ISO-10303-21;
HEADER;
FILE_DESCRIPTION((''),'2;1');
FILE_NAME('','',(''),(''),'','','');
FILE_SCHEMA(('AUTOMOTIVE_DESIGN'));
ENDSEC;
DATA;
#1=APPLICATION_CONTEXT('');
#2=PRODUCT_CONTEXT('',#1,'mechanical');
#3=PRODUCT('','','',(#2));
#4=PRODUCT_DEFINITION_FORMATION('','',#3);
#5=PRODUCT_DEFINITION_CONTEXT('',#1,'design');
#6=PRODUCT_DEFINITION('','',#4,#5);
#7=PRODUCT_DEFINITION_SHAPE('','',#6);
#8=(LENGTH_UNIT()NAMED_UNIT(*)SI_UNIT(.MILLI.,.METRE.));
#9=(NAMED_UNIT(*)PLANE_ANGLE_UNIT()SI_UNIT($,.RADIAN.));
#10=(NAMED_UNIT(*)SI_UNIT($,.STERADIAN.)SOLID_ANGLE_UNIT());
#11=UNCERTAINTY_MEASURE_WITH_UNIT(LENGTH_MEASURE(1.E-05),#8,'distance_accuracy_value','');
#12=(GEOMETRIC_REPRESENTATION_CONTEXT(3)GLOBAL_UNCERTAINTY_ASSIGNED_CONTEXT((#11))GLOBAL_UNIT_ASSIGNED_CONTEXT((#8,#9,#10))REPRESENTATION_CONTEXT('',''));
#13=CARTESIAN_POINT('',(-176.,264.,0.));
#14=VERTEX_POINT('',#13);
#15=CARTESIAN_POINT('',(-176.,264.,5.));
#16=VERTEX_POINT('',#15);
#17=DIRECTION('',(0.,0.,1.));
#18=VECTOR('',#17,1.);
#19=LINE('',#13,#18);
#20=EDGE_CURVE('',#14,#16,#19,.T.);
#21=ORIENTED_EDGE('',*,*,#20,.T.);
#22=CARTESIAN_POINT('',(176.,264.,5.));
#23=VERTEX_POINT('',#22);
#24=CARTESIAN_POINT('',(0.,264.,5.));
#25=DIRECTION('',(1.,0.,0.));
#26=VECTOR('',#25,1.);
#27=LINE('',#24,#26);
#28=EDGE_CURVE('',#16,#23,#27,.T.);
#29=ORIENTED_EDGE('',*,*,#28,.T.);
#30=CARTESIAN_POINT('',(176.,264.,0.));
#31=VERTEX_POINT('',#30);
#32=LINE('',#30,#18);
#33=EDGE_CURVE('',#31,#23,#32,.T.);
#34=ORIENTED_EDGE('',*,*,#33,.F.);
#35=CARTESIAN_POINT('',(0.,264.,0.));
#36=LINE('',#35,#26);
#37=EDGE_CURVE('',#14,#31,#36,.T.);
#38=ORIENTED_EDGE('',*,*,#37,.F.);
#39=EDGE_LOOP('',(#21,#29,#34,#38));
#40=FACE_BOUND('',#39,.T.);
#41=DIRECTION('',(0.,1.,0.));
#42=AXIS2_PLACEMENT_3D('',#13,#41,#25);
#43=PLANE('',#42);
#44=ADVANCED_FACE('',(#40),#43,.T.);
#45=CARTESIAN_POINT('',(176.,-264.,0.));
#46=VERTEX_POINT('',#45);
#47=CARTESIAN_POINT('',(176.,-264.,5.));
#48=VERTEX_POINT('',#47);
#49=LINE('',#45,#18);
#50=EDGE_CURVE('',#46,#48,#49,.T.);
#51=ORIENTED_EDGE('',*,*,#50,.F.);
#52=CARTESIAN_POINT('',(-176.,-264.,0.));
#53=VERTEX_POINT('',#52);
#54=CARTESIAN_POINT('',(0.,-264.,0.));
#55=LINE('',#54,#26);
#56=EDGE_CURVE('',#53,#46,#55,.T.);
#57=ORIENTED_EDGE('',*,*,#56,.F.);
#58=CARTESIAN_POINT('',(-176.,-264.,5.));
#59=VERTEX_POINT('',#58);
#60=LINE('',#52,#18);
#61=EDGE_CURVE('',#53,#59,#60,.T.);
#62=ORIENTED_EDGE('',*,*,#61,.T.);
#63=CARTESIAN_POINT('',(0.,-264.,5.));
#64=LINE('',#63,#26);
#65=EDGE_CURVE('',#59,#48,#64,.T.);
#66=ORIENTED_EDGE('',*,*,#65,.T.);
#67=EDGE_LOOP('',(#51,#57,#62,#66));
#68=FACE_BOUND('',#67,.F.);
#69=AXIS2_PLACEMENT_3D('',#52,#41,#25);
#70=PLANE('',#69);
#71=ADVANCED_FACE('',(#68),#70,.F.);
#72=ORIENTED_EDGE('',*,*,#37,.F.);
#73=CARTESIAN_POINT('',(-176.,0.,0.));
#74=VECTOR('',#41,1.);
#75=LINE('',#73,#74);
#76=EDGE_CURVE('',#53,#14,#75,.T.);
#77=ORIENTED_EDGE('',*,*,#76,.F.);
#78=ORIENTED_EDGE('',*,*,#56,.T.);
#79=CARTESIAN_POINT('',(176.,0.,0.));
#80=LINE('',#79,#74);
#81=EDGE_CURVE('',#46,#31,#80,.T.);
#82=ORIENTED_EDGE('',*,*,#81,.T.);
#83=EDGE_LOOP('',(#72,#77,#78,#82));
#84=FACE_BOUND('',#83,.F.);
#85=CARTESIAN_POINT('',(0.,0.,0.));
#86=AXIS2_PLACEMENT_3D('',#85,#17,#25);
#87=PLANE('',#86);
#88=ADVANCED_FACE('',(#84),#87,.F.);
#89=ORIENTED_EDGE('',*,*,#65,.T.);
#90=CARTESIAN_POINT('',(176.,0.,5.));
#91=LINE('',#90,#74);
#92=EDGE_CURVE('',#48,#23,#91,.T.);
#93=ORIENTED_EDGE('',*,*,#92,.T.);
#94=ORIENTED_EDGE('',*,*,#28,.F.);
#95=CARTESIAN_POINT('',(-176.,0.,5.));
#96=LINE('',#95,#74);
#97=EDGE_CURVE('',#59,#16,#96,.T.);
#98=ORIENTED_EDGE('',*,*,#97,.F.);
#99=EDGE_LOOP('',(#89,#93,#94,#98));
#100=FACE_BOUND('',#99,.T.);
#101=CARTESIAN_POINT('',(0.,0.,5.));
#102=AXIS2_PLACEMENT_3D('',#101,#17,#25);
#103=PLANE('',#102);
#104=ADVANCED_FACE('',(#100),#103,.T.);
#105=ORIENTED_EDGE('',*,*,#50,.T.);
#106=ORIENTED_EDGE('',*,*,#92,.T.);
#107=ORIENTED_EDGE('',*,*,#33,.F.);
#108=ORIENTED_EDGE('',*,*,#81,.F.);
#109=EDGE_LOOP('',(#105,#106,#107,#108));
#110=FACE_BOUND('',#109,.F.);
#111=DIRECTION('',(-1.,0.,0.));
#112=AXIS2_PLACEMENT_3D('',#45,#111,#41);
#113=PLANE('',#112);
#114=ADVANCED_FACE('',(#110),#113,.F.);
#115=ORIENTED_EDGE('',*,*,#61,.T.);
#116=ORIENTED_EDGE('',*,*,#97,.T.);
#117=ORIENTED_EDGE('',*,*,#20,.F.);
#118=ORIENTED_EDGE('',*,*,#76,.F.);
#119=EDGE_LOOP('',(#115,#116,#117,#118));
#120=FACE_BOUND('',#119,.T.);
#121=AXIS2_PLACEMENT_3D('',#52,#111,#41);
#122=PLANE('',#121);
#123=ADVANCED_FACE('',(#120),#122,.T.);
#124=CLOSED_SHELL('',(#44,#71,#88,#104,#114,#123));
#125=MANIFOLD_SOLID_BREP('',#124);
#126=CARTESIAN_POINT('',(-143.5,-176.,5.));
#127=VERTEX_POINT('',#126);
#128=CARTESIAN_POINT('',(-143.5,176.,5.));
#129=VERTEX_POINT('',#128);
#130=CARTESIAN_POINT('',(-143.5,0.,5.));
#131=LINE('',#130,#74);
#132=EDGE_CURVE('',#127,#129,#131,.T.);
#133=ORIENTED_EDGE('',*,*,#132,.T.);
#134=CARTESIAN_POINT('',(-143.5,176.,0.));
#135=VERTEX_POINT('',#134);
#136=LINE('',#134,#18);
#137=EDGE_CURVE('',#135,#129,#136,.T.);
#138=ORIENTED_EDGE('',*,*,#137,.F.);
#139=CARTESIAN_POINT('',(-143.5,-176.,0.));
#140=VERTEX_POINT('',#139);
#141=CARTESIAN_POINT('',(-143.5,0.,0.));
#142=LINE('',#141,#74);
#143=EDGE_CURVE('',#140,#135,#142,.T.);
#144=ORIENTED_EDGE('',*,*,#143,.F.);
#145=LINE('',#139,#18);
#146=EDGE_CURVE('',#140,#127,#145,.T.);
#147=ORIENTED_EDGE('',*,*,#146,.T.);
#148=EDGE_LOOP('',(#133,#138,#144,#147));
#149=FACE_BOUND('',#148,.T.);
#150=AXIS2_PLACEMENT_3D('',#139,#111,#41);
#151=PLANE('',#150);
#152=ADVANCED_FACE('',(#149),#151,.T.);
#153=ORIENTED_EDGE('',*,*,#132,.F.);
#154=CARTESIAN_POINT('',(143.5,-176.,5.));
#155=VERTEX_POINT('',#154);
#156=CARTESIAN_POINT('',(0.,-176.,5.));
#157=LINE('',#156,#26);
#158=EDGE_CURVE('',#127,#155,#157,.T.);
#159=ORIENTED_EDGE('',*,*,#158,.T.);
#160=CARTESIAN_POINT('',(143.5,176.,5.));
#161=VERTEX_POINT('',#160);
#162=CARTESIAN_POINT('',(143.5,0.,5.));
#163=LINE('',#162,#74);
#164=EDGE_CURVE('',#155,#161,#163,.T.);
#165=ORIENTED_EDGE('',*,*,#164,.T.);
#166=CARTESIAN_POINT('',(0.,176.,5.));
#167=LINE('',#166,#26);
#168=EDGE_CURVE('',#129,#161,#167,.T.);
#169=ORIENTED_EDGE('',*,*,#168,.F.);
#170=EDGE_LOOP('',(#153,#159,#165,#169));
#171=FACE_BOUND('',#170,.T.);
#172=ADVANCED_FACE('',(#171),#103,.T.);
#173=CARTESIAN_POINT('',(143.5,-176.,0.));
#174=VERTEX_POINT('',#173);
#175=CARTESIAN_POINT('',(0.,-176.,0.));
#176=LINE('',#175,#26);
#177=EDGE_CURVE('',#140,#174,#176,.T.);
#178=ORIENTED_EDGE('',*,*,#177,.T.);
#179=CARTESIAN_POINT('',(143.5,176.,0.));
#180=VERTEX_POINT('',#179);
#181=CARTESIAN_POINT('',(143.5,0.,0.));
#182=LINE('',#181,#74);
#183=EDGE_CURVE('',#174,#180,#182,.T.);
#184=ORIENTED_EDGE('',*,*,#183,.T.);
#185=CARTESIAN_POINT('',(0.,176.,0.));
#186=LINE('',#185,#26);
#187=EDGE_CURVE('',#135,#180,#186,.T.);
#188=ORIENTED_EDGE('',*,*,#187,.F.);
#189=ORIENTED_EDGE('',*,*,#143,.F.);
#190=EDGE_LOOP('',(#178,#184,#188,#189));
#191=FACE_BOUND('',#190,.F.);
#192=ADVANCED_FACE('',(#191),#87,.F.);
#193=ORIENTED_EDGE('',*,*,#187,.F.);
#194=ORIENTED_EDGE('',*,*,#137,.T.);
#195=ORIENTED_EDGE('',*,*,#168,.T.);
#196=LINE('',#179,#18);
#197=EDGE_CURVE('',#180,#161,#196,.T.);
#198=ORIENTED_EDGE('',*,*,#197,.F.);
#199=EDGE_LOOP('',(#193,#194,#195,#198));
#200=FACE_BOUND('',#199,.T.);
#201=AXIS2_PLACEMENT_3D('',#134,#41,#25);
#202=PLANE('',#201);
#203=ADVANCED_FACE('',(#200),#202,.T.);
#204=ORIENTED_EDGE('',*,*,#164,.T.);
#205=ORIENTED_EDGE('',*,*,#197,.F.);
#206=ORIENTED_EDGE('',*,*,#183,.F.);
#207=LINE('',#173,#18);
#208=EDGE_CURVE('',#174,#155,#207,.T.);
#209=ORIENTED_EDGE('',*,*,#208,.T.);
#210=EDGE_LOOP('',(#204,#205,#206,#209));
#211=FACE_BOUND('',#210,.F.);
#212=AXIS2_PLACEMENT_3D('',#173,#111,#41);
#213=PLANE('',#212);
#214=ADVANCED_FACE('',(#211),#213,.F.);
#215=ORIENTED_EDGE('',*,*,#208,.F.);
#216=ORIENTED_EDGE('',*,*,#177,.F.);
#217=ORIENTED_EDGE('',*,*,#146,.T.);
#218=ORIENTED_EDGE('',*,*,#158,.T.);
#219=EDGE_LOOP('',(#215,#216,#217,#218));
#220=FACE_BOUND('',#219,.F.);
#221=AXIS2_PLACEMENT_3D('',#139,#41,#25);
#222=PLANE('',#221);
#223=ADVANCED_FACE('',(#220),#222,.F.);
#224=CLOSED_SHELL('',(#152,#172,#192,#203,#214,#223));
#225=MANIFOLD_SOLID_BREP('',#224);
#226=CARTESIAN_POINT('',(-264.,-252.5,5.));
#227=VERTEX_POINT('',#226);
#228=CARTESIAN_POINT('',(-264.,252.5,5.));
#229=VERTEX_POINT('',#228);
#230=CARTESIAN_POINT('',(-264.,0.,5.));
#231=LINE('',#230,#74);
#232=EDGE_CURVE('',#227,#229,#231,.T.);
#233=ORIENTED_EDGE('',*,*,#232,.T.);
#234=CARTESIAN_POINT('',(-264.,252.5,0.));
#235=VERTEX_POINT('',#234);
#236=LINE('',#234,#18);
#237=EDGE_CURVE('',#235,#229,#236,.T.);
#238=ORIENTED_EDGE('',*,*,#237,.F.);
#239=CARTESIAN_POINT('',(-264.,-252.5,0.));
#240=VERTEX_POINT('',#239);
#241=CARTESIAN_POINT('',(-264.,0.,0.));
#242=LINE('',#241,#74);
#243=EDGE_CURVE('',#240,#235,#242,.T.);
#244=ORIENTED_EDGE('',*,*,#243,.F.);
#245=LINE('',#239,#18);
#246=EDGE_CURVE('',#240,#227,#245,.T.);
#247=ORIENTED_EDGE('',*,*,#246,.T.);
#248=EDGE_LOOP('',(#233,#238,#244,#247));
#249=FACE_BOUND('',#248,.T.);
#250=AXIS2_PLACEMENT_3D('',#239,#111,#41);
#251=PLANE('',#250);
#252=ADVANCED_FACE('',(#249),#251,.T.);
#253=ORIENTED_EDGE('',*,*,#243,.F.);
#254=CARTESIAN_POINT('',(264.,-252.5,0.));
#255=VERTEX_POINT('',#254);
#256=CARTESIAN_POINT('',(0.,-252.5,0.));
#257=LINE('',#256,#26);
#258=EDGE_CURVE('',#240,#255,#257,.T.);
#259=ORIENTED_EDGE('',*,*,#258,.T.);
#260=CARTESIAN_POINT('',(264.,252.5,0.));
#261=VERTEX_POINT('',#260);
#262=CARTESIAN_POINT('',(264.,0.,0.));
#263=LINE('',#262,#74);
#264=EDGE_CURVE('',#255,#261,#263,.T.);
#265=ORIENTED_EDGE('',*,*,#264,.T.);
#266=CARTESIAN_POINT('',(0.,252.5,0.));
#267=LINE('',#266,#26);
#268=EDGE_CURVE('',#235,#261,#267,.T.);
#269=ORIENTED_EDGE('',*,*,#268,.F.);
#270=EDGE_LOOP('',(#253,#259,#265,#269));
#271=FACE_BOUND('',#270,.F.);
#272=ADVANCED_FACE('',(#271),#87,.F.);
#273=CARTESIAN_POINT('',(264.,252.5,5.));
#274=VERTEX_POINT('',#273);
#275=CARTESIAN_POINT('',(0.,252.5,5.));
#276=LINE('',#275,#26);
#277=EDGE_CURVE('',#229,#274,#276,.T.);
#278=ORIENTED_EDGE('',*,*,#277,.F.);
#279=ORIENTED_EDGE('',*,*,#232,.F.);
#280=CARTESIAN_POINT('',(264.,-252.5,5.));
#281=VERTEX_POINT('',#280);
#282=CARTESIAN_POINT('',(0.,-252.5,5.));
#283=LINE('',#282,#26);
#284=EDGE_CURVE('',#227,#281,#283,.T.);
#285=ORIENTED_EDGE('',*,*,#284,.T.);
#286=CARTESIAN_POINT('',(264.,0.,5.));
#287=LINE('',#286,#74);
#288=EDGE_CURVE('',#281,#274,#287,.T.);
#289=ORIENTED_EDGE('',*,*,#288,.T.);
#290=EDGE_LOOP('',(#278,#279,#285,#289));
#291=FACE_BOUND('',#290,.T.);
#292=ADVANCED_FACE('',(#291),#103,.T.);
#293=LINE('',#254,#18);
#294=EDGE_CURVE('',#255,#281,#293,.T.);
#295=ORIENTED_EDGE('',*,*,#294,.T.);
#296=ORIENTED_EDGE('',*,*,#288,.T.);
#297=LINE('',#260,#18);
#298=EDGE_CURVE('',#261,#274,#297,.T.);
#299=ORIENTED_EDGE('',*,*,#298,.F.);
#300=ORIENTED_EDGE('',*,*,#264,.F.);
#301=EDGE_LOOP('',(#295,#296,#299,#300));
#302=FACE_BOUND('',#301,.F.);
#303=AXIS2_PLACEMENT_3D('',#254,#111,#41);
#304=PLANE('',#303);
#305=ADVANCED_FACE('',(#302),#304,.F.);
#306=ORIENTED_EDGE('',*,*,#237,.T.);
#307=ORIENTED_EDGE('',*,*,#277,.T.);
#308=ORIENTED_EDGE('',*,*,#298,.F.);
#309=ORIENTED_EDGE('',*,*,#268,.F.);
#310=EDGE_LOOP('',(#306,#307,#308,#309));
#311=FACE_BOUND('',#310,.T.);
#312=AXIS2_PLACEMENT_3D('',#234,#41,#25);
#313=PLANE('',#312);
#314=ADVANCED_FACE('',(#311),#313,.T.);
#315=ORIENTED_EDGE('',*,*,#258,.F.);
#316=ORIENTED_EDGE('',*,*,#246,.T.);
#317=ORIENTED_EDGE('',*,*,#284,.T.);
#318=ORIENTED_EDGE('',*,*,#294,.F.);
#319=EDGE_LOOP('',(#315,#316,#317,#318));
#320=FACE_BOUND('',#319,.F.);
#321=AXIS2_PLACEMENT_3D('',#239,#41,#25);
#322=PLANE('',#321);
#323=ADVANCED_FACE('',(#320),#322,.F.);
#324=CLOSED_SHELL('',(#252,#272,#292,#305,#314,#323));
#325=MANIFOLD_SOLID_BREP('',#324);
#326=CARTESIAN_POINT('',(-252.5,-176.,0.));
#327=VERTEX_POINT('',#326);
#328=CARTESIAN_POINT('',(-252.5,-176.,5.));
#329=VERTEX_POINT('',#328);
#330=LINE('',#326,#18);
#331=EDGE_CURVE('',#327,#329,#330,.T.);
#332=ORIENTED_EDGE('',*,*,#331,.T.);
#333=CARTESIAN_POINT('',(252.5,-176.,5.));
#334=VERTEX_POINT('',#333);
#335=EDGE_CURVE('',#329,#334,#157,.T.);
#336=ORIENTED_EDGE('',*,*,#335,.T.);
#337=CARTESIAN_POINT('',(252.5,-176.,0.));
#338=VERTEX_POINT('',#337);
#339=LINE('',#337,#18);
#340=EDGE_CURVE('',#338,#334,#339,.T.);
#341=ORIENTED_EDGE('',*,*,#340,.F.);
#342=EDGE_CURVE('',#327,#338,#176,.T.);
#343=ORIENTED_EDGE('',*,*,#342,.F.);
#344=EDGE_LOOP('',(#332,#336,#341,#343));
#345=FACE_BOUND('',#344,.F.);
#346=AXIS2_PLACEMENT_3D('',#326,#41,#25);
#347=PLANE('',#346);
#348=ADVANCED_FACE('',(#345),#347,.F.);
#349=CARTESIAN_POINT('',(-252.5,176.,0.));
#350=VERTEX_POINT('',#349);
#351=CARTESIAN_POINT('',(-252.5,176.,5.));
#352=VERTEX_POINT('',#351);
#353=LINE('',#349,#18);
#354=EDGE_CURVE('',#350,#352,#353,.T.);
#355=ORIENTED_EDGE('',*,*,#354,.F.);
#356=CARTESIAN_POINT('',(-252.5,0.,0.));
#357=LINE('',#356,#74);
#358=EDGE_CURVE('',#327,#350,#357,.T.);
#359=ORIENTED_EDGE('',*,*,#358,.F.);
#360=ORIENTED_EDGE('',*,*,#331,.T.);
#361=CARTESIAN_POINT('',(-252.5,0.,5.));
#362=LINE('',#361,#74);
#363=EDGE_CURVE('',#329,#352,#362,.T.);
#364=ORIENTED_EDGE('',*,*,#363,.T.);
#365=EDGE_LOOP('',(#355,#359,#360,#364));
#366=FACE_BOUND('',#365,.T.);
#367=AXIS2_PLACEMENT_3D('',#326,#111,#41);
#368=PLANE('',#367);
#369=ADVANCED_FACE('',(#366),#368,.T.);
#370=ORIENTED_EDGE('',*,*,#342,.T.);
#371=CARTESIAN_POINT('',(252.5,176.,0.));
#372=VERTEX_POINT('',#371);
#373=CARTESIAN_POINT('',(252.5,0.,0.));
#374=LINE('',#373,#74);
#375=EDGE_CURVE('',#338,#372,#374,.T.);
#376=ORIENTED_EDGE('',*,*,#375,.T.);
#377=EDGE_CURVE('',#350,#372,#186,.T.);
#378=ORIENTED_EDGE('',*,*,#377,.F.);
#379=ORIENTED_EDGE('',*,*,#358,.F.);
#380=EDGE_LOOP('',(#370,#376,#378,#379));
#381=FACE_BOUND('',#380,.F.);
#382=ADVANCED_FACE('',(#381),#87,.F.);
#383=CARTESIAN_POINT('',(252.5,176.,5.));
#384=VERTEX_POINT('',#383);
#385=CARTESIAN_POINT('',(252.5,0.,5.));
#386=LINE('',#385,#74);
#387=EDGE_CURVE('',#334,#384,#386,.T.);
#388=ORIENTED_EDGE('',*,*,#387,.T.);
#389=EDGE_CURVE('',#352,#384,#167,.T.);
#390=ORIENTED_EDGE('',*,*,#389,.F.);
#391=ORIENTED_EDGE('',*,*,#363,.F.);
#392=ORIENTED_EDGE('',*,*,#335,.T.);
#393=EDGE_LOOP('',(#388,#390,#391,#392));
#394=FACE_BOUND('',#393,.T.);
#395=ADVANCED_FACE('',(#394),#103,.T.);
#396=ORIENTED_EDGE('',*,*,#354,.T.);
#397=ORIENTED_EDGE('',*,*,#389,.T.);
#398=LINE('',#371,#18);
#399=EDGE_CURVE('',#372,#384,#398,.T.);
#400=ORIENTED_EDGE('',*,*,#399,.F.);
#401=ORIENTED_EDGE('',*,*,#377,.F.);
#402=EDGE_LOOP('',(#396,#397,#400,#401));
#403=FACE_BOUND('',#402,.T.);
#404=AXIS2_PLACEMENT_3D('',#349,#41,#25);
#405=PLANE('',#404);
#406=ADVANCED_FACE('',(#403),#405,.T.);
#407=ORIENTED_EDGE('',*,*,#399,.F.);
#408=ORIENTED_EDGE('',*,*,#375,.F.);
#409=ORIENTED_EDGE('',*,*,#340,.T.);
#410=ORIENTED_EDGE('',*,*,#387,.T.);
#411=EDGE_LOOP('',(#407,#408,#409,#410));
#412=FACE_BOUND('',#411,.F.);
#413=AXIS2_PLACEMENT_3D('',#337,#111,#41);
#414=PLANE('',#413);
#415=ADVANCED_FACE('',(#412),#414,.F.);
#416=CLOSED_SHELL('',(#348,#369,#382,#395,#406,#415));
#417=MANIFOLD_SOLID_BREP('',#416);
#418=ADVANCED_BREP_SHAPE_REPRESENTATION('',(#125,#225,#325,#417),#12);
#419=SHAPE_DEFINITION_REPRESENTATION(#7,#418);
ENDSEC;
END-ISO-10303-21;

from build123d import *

# Parameters (mm, degrees)
F0_W     = 505
F0_H     = 352
F1_DEPTH = 5
F2_W     = 528
F2_H     = 505
F3_DEPTH = 5
F4_W     = 352
F4_H     = 528
F5_DEPTH = 5
F6_W     = 287
F6_H     = 352
F7_DEPTH = 5


with BuildPart() as f1:
    # F0 (on Top) → F1 (new body)
    with BuildSketch(Plane.XY):
        Rectangle(F0_W, F0_H)
    extrude(amount=F1_DEPTH)


with BuildPart() as f3:
    # F2 (on Top) → F3 (new body)
    with BuildSketch(Plane.XY):
        Rectangle(F2_W, F2_H)
    extrude(amount=F3_DEPTH)


with BuildPart() as f5:
    # F4 (on Top) → F5 (new body)
    with BuildSketch(Plane.XY):
        Rectangle(F4_W, F4_H)
    extrude(amount=F5_DEPTH)


with BuildPart() as f7:
    # F6 (on Top) → F7 (new body)
    with BuildSketch(Plane.XY):
        Rectangle(F6_W, F6_H)
    extrude(amount=F7_DEPTH)


solid = Compound([f1.part, f3.part, f5.part, f7.part])
